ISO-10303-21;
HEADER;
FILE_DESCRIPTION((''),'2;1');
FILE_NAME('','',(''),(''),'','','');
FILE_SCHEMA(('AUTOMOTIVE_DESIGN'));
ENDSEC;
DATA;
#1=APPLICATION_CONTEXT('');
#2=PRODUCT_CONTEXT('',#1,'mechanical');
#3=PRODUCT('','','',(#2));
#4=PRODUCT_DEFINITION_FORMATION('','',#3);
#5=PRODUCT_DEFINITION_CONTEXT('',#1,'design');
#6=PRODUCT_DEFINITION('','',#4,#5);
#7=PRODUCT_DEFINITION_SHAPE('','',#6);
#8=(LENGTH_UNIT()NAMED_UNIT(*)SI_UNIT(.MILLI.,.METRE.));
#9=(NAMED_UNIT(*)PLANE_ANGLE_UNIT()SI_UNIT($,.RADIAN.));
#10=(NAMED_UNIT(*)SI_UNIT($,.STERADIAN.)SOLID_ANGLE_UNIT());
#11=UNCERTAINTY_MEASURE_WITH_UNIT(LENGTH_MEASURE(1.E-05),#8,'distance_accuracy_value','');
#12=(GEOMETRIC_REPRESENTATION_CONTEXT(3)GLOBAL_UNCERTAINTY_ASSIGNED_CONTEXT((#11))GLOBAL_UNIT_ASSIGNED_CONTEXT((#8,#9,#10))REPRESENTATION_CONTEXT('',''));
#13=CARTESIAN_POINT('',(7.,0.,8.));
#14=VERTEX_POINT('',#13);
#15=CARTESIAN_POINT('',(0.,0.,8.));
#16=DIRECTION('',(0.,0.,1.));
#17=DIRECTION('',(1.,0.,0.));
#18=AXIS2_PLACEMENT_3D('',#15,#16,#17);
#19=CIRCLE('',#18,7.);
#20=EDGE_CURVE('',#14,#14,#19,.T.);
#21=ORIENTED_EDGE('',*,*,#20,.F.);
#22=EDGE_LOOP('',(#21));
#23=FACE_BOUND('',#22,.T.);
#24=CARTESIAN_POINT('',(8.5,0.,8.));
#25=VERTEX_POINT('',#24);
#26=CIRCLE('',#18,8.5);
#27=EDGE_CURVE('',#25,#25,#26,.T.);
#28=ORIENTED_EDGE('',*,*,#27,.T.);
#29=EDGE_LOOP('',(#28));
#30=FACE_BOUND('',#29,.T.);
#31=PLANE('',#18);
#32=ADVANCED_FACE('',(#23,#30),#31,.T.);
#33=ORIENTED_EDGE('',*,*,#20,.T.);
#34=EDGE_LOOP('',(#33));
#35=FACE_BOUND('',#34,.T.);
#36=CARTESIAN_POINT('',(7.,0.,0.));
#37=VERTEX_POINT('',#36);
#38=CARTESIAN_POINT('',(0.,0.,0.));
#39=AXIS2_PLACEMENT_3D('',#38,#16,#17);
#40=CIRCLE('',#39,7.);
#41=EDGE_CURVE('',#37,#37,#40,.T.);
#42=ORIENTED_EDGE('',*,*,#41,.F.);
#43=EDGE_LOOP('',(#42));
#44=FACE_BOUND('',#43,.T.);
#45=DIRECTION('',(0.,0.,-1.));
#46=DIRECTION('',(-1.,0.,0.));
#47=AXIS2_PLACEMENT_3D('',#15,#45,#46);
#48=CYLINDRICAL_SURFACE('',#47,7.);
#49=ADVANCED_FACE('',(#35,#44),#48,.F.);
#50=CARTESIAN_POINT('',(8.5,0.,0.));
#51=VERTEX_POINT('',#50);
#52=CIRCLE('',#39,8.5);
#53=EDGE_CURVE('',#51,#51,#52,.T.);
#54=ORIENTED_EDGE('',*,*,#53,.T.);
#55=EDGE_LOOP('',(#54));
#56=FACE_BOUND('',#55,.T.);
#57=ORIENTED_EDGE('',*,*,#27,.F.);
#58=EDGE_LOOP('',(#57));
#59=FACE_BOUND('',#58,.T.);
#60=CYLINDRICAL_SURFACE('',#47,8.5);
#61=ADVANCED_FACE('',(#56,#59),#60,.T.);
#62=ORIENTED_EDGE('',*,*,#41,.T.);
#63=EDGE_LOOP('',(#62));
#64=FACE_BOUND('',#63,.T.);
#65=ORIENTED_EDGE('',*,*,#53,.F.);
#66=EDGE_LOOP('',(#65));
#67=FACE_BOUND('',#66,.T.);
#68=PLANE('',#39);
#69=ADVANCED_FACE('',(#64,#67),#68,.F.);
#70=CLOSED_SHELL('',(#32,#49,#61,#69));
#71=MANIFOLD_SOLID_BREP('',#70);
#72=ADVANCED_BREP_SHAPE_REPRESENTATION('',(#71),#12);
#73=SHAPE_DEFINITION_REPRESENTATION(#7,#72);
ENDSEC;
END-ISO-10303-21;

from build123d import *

# Parameters (mm, degrees)
SKETCH_2_R      = 8.5
SKETCH_2_R_2    = 7
EXTRUDE_2_DEPTH = 8


with BuildPart() as part:
    # Эскиз2 → Бобышка-Вытянуть2 (new body)
    with BuildSketch(Plane.XY):
        Circle(SKETCH_2_R)
        Circle(SKETCH_2_R_2, mode=Mode.SUBTRACT)
    extrude(amount=EXTRUDE_2_DEPTH)


solid = part.part
